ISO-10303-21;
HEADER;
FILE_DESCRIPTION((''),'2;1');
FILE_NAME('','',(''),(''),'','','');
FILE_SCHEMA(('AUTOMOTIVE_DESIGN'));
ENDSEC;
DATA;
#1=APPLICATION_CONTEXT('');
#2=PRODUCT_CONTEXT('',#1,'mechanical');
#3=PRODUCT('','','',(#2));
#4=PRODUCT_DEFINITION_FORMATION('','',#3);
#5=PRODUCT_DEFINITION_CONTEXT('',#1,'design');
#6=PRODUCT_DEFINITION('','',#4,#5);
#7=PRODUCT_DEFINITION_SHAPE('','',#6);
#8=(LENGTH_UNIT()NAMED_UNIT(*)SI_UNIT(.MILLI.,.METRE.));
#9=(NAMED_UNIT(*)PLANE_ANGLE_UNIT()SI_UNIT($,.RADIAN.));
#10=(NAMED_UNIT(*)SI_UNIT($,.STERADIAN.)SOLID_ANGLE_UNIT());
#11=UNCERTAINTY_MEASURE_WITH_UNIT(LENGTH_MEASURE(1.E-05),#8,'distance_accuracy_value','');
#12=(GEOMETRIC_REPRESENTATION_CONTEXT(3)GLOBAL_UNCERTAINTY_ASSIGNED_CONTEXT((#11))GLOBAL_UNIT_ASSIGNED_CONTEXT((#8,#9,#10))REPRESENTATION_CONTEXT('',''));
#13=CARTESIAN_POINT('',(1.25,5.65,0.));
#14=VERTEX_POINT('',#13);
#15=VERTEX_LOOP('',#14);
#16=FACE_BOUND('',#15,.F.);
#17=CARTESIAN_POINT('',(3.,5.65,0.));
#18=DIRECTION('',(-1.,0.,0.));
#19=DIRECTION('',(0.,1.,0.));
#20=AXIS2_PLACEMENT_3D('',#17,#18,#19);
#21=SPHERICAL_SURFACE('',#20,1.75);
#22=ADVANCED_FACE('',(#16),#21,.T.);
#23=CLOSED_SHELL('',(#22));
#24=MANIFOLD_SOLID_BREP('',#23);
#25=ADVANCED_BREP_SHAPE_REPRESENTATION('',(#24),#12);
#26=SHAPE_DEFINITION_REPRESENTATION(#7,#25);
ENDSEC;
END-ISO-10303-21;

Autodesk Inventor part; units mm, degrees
ref_plane "YZ Plane" through (0, 0, 0) normal (1, 0, 0) x (0, 1, 0)
ref_plane "XZ Plane" through (0, 0, 0) normal (0, 1, 0) x (-1, 0, 0)
ref_plane "XY Plane" through (0, 0, 0) normal (0, 0, 1) x (1, 0, 0)
sketch "Sketch_6" plane through (0, 0, 0) normal (0, 0, 1) x (1, 0, 0)
  line L0 (4.75, 5.65) -> (1.25, 5.65)
  arc A0 (4.75, 5.65) -> (1.25, 5.65) centre (3, 5.65) ccw
  line L1 (4.75, 5.65) -> (1.25, 5.65)
  dimension "d0" = 360
revolve "Revolution1" add sketch "Sketch_6" angle 360 about axis through (4.75, 5.65, 0) along (1, 0, 0)
properties part number "W 606-2Z_PART3" material "Stainless Steel"
